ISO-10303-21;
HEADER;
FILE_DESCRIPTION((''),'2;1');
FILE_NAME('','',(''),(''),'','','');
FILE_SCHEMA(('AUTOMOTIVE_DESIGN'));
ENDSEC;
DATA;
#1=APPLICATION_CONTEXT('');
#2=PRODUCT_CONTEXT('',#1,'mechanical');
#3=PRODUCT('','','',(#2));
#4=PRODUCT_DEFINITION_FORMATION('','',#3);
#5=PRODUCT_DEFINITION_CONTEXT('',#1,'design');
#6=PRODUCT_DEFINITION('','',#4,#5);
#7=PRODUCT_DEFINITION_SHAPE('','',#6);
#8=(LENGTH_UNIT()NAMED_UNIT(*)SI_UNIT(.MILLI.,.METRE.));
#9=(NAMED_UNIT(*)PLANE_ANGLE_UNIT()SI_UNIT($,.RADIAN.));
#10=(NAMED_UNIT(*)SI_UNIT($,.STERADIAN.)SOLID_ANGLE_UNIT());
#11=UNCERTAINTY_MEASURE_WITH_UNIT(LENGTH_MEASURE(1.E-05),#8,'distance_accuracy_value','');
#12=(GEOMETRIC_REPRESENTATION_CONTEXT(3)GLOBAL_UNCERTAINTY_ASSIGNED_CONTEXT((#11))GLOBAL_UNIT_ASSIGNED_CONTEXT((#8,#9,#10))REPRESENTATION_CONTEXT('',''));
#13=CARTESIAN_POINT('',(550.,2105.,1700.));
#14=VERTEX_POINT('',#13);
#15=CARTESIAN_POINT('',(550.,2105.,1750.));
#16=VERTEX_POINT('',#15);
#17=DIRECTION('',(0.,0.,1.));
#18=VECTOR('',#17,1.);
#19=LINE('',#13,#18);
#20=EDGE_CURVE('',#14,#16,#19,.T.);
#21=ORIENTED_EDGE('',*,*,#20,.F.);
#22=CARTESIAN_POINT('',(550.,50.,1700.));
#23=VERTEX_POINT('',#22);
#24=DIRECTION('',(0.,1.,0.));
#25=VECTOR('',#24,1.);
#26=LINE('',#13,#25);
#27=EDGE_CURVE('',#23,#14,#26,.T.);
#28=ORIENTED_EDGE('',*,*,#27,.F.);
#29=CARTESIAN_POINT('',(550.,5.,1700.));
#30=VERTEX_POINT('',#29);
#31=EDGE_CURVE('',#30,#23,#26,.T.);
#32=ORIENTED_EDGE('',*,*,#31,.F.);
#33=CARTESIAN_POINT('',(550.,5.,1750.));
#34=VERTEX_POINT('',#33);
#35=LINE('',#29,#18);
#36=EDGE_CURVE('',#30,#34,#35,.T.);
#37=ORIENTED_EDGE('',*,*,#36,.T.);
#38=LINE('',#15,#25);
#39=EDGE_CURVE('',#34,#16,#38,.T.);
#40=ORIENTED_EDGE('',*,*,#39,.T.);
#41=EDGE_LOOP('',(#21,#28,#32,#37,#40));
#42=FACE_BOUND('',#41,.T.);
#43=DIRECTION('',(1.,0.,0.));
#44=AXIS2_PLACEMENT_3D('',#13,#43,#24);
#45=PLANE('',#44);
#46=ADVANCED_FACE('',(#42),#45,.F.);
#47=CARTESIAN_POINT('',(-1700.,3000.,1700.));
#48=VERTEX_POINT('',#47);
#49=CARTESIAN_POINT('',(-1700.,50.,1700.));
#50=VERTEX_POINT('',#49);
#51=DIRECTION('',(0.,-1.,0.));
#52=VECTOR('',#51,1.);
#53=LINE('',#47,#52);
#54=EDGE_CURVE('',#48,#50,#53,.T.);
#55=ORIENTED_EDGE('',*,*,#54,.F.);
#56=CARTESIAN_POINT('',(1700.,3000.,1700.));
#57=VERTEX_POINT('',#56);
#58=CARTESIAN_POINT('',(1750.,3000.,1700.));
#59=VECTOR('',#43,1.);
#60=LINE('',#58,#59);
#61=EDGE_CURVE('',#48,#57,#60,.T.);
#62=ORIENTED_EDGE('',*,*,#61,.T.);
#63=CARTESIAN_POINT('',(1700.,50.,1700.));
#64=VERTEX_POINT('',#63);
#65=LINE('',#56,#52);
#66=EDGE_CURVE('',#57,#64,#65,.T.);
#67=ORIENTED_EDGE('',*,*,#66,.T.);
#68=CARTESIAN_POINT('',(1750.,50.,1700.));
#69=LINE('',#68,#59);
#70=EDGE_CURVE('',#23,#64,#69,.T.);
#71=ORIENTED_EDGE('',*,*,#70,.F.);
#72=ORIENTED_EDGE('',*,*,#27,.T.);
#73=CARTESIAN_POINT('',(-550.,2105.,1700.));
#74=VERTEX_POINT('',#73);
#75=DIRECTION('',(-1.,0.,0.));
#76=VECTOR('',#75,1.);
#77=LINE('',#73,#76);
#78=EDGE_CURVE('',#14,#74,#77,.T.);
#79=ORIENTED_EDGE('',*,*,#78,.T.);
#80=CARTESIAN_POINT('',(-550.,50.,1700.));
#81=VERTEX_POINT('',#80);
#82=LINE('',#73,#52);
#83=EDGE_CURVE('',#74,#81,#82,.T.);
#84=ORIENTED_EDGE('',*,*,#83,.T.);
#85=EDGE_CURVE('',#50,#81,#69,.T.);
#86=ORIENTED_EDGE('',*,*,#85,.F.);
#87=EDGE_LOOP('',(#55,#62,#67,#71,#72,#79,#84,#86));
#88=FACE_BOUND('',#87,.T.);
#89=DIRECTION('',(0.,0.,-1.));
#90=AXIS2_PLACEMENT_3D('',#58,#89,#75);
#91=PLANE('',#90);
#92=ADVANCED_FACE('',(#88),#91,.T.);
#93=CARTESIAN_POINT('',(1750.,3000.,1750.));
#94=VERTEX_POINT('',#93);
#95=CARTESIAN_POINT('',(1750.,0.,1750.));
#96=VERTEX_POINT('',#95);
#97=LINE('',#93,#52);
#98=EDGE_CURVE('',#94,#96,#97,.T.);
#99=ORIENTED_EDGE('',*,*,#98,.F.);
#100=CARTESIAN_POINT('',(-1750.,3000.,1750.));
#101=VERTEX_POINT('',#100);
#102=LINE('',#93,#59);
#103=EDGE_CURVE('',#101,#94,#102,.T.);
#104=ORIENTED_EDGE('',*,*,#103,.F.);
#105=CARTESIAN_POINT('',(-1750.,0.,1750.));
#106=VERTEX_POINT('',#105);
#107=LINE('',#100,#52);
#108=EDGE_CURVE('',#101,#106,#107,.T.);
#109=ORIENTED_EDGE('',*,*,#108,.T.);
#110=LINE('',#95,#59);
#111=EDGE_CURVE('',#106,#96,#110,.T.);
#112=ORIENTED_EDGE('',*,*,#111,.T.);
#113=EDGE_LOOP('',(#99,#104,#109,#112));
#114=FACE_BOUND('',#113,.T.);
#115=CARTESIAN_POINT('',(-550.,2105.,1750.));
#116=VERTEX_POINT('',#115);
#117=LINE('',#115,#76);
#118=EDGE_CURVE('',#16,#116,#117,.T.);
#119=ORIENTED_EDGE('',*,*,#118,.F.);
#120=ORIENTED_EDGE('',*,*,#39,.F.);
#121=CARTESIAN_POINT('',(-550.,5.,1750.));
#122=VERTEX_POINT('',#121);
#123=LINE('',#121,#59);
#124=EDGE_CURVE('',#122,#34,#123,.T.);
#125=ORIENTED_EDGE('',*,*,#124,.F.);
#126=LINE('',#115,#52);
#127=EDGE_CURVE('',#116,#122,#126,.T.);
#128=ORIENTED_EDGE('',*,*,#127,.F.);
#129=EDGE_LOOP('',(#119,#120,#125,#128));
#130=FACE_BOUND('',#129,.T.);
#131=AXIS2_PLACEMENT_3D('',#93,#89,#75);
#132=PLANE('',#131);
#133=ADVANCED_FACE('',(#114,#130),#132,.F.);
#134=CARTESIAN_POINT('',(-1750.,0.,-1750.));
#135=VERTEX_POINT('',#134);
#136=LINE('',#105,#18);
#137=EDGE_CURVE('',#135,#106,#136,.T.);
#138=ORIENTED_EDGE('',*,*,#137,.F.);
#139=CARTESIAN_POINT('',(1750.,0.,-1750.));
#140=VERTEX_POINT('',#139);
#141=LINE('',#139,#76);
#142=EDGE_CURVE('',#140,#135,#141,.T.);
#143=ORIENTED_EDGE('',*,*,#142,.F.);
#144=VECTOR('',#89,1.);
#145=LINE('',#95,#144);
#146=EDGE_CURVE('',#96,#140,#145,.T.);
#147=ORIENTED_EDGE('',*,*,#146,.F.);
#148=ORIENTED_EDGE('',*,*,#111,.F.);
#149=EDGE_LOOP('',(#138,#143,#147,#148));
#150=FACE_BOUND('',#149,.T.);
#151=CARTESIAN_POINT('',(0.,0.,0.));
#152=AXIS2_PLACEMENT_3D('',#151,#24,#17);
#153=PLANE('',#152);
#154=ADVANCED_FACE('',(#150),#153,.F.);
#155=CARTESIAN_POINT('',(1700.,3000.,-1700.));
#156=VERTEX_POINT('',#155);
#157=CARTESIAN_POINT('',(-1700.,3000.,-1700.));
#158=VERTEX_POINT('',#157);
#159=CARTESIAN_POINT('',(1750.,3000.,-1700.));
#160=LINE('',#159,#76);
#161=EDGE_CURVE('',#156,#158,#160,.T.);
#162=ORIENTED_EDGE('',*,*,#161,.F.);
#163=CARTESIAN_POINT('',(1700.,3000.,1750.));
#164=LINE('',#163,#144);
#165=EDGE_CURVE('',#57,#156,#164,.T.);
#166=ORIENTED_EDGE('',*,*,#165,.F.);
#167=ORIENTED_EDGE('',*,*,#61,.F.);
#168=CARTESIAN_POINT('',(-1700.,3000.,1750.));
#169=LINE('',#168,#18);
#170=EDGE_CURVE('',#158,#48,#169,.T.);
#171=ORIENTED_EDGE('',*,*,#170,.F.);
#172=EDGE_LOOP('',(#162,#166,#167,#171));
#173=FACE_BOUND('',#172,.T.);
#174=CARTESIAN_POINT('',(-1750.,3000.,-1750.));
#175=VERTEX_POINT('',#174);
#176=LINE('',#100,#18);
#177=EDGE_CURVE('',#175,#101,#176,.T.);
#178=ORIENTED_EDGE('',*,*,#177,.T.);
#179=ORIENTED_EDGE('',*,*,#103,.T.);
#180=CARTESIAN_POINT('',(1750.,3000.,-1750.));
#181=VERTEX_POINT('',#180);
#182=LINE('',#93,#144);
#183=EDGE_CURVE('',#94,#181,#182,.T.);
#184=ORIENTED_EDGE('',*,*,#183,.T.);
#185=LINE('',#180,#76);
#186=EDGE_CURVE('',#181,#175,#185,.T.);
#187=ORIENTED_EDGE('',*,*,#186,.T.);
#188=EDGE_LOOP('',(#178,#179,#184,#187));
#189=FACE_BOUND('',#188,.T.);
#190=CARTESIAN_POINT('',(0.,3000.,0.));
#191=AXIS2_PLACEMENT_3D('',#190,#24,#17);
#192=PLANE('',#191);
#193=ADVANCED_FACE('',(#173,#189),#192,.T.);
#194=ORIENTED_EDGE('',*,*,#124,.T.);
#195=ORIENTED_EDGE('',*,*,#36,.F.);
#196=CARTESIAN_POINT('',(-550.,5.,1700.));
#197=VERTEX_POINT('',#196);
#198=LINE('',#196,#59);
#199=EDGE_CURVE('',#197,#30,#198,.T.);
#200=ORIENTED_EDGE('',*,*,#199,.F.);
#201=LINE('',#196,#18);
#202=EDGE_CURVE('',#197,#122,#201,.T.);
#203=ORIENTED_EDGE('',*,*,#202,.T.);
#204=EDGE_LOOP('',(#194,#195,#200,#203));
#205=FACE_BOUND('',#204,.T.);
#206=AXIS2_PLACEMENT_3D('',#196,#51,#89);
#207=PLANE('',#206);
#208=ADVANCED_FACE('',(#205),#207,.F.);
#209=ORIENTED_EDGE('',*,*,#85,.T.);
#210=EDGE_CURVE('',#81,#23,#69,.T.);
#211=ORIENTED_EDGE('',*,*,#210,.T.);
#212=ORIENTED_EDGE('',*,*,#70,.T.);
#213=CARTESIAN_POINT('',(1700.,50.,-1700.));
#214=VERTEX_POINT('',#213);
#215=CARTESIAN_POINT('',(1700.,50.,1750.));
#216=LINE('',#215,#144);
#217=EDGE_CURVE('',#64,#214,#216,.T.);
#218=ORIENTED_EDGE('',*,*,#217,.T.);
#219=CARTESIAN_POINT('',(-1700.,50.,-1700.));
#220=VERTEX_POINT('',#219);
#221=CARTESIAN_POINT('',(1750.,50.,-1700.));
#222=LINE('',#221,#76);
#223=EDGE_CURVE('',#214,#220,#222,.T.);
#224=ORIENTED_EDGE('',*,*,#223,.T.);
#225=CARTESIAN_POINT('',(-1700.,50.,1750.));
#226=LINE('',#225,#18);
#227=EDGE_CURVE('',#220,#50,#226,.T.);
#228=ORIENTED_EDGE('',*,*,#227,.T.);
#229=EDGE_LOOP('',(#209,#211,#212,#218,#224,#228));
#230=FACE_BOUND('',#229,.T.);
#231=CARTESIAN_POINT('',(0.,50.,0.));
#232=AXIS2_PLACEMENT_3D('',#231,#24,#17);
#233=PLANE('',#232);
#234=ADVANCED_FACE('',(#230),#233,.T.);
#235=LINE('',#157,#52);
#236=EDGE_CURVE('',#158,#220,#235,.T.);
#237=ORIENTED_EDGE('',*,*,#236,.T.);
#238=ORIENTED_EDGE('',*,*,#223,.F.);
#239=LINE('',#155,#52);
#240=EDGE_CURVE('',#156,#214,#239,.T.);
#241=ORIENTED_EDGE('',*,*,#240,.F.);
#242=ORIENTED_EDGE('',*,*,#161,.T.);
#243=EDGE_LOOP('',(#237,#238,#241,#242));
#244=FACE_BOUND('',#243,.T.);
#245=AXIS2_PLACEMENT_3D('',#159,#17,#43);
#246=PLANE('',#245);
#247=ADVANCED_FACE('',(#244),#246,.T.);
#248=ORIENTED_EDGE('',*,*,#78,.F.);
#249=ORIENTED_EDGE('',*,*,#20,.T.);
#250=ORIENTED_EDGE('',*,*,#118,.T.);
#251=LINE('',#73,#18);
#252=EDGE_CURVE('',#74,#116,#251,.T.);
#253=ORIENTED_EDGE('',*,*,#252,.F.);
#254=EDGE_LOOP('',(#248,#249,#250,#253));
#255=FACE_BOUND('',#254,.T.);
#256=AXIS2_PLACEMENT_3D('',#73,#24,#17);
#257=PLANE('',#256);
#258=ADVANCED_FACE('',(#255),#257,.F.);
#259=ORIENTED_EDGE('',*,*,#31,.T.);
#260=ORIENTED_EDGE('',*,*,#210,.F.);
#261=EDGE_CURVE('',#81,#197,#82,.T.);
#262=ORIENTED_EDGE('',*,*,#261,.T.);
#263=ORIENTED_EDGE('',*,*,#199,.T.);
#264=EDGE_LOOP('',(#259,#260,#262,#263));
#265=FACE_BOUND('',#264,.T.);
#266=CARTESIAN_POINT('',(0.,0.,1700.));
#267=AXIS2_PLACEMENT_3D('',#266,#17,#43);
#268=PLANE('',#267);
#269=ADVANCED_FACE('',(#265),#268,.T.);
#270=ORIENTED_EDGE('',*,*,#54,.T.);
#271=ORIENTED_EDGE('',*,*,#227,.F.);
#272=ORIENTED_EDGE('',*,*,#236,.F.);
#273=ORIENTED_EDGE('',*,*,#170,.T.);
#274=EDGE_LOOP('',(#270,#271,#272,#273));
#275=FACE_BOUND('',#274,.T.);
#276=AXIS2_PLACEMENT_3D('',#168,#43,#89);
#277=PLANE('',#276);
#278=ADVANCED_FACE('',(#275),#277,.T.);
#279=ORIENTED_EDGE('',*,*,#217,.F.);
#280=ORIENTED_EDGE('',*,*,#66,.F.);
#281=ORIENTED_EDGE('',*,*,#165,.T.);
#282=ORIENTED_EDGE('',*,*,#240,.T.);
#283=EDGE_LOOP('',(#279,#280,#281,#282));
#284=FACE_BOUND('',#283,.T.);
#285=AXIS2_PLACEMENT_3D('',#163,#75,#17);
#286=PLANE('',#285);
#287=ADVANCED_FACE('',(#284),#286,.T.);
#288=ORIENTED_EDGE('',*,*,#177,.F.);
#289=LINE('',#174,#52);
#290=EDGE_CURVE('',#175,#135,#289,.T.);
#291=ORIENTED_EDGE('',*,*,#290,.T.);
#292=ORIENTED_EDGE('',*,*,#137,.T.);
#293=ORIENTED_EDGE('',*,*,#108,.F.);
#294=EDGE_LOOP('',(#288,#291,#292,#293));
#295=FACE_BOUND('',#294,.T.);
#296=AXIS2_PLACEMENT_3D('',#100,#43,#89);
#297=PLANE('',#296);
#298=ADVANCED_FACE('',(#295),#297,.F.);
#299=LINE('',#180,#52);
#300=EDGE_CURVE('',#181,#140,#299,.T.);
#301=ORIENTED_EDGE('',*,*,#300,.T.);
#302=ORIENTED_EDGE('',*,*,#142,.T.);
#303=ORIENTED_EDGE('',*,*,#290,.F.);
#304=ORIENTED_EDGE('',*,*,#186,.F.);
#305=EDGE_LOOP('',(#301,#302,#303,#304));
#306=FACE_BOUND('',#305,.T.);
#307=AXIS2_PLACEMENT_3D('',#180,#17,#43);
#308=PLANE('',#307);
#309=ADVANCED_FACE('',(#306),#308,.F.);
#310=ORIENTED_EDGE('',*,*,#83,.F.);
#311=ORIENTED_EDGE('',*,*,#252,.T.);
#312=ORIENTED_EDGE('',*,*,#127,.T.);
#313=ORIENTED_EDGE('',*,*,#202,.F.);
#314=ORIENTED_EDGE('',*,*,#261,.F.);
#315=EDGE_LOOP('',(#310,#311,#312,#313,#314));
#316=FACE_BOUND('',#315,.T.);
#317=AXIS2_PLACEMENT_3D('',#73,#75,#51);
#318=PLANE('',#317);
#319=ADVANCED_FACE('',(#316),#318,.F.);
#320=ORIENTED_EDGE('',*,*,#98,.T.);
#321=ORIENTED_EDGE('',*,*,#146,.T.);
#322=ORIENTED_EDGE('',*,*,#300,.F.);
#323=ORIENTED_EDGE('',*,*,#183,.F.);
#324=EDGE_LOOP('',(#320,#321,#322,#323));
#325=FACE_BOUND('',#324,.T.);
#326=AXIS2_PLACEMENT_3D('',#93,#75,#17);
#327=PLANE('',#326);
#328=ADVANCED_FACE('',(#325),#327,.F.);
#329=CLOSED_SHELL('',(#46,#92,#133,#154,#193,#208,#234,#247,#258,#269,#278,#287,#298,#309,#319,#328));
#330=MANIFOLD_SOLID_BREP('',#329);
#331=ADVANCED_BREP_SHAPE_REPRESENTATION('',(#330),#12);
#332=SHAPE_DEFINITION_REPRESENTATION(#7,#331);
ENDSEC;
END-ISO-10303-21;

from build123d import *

# Parameters (mm, degrees)
SKETCH1_W           = 3500
SKETCH1_H           = 3500
BOSS_EXTRUDE1_DEPTH = 3000
SHELL1_T            = -50
SKETCH2_W           = 1100
SKETCH2_H           = 2100
CUT_EXTRUDE1_DEPTH  = 50


with BuildPart() as part:
    # Sketch1 → Boss-Extrude1 (new body)
    with BuildSketch(Plane(origin=(0, 0, 0), x_dir=(1, 0, 0), z_dir=(0, 1, 0))):
        Rectangle(SKETCH1_W, SKETCH1_H)
    extrude(amount=BOSS_EXTRUDE1_DEPTH)

    # Shell1
    shell1_openings = [part.faces().sort_by_distance(p)[0] for p in [
        (0, 3000, 0),
    ]]
    offset(amount=SHELL1_T, openings=shell1_openings, kind=Kind.INTERSECTION)

    # Sketch2 → Cut-Extrude1 (cut)
    with BuildSketch(Plane.XY.offset(1750)):
        with Locations((0, 1055)):
            Rectangle(SKETCH2_W, SKETCH2_H)
    extrude(amount=-CUT_EXTRUDE1_DEPTH, mode=Mode.SUBTRACT)


solid = part.part
